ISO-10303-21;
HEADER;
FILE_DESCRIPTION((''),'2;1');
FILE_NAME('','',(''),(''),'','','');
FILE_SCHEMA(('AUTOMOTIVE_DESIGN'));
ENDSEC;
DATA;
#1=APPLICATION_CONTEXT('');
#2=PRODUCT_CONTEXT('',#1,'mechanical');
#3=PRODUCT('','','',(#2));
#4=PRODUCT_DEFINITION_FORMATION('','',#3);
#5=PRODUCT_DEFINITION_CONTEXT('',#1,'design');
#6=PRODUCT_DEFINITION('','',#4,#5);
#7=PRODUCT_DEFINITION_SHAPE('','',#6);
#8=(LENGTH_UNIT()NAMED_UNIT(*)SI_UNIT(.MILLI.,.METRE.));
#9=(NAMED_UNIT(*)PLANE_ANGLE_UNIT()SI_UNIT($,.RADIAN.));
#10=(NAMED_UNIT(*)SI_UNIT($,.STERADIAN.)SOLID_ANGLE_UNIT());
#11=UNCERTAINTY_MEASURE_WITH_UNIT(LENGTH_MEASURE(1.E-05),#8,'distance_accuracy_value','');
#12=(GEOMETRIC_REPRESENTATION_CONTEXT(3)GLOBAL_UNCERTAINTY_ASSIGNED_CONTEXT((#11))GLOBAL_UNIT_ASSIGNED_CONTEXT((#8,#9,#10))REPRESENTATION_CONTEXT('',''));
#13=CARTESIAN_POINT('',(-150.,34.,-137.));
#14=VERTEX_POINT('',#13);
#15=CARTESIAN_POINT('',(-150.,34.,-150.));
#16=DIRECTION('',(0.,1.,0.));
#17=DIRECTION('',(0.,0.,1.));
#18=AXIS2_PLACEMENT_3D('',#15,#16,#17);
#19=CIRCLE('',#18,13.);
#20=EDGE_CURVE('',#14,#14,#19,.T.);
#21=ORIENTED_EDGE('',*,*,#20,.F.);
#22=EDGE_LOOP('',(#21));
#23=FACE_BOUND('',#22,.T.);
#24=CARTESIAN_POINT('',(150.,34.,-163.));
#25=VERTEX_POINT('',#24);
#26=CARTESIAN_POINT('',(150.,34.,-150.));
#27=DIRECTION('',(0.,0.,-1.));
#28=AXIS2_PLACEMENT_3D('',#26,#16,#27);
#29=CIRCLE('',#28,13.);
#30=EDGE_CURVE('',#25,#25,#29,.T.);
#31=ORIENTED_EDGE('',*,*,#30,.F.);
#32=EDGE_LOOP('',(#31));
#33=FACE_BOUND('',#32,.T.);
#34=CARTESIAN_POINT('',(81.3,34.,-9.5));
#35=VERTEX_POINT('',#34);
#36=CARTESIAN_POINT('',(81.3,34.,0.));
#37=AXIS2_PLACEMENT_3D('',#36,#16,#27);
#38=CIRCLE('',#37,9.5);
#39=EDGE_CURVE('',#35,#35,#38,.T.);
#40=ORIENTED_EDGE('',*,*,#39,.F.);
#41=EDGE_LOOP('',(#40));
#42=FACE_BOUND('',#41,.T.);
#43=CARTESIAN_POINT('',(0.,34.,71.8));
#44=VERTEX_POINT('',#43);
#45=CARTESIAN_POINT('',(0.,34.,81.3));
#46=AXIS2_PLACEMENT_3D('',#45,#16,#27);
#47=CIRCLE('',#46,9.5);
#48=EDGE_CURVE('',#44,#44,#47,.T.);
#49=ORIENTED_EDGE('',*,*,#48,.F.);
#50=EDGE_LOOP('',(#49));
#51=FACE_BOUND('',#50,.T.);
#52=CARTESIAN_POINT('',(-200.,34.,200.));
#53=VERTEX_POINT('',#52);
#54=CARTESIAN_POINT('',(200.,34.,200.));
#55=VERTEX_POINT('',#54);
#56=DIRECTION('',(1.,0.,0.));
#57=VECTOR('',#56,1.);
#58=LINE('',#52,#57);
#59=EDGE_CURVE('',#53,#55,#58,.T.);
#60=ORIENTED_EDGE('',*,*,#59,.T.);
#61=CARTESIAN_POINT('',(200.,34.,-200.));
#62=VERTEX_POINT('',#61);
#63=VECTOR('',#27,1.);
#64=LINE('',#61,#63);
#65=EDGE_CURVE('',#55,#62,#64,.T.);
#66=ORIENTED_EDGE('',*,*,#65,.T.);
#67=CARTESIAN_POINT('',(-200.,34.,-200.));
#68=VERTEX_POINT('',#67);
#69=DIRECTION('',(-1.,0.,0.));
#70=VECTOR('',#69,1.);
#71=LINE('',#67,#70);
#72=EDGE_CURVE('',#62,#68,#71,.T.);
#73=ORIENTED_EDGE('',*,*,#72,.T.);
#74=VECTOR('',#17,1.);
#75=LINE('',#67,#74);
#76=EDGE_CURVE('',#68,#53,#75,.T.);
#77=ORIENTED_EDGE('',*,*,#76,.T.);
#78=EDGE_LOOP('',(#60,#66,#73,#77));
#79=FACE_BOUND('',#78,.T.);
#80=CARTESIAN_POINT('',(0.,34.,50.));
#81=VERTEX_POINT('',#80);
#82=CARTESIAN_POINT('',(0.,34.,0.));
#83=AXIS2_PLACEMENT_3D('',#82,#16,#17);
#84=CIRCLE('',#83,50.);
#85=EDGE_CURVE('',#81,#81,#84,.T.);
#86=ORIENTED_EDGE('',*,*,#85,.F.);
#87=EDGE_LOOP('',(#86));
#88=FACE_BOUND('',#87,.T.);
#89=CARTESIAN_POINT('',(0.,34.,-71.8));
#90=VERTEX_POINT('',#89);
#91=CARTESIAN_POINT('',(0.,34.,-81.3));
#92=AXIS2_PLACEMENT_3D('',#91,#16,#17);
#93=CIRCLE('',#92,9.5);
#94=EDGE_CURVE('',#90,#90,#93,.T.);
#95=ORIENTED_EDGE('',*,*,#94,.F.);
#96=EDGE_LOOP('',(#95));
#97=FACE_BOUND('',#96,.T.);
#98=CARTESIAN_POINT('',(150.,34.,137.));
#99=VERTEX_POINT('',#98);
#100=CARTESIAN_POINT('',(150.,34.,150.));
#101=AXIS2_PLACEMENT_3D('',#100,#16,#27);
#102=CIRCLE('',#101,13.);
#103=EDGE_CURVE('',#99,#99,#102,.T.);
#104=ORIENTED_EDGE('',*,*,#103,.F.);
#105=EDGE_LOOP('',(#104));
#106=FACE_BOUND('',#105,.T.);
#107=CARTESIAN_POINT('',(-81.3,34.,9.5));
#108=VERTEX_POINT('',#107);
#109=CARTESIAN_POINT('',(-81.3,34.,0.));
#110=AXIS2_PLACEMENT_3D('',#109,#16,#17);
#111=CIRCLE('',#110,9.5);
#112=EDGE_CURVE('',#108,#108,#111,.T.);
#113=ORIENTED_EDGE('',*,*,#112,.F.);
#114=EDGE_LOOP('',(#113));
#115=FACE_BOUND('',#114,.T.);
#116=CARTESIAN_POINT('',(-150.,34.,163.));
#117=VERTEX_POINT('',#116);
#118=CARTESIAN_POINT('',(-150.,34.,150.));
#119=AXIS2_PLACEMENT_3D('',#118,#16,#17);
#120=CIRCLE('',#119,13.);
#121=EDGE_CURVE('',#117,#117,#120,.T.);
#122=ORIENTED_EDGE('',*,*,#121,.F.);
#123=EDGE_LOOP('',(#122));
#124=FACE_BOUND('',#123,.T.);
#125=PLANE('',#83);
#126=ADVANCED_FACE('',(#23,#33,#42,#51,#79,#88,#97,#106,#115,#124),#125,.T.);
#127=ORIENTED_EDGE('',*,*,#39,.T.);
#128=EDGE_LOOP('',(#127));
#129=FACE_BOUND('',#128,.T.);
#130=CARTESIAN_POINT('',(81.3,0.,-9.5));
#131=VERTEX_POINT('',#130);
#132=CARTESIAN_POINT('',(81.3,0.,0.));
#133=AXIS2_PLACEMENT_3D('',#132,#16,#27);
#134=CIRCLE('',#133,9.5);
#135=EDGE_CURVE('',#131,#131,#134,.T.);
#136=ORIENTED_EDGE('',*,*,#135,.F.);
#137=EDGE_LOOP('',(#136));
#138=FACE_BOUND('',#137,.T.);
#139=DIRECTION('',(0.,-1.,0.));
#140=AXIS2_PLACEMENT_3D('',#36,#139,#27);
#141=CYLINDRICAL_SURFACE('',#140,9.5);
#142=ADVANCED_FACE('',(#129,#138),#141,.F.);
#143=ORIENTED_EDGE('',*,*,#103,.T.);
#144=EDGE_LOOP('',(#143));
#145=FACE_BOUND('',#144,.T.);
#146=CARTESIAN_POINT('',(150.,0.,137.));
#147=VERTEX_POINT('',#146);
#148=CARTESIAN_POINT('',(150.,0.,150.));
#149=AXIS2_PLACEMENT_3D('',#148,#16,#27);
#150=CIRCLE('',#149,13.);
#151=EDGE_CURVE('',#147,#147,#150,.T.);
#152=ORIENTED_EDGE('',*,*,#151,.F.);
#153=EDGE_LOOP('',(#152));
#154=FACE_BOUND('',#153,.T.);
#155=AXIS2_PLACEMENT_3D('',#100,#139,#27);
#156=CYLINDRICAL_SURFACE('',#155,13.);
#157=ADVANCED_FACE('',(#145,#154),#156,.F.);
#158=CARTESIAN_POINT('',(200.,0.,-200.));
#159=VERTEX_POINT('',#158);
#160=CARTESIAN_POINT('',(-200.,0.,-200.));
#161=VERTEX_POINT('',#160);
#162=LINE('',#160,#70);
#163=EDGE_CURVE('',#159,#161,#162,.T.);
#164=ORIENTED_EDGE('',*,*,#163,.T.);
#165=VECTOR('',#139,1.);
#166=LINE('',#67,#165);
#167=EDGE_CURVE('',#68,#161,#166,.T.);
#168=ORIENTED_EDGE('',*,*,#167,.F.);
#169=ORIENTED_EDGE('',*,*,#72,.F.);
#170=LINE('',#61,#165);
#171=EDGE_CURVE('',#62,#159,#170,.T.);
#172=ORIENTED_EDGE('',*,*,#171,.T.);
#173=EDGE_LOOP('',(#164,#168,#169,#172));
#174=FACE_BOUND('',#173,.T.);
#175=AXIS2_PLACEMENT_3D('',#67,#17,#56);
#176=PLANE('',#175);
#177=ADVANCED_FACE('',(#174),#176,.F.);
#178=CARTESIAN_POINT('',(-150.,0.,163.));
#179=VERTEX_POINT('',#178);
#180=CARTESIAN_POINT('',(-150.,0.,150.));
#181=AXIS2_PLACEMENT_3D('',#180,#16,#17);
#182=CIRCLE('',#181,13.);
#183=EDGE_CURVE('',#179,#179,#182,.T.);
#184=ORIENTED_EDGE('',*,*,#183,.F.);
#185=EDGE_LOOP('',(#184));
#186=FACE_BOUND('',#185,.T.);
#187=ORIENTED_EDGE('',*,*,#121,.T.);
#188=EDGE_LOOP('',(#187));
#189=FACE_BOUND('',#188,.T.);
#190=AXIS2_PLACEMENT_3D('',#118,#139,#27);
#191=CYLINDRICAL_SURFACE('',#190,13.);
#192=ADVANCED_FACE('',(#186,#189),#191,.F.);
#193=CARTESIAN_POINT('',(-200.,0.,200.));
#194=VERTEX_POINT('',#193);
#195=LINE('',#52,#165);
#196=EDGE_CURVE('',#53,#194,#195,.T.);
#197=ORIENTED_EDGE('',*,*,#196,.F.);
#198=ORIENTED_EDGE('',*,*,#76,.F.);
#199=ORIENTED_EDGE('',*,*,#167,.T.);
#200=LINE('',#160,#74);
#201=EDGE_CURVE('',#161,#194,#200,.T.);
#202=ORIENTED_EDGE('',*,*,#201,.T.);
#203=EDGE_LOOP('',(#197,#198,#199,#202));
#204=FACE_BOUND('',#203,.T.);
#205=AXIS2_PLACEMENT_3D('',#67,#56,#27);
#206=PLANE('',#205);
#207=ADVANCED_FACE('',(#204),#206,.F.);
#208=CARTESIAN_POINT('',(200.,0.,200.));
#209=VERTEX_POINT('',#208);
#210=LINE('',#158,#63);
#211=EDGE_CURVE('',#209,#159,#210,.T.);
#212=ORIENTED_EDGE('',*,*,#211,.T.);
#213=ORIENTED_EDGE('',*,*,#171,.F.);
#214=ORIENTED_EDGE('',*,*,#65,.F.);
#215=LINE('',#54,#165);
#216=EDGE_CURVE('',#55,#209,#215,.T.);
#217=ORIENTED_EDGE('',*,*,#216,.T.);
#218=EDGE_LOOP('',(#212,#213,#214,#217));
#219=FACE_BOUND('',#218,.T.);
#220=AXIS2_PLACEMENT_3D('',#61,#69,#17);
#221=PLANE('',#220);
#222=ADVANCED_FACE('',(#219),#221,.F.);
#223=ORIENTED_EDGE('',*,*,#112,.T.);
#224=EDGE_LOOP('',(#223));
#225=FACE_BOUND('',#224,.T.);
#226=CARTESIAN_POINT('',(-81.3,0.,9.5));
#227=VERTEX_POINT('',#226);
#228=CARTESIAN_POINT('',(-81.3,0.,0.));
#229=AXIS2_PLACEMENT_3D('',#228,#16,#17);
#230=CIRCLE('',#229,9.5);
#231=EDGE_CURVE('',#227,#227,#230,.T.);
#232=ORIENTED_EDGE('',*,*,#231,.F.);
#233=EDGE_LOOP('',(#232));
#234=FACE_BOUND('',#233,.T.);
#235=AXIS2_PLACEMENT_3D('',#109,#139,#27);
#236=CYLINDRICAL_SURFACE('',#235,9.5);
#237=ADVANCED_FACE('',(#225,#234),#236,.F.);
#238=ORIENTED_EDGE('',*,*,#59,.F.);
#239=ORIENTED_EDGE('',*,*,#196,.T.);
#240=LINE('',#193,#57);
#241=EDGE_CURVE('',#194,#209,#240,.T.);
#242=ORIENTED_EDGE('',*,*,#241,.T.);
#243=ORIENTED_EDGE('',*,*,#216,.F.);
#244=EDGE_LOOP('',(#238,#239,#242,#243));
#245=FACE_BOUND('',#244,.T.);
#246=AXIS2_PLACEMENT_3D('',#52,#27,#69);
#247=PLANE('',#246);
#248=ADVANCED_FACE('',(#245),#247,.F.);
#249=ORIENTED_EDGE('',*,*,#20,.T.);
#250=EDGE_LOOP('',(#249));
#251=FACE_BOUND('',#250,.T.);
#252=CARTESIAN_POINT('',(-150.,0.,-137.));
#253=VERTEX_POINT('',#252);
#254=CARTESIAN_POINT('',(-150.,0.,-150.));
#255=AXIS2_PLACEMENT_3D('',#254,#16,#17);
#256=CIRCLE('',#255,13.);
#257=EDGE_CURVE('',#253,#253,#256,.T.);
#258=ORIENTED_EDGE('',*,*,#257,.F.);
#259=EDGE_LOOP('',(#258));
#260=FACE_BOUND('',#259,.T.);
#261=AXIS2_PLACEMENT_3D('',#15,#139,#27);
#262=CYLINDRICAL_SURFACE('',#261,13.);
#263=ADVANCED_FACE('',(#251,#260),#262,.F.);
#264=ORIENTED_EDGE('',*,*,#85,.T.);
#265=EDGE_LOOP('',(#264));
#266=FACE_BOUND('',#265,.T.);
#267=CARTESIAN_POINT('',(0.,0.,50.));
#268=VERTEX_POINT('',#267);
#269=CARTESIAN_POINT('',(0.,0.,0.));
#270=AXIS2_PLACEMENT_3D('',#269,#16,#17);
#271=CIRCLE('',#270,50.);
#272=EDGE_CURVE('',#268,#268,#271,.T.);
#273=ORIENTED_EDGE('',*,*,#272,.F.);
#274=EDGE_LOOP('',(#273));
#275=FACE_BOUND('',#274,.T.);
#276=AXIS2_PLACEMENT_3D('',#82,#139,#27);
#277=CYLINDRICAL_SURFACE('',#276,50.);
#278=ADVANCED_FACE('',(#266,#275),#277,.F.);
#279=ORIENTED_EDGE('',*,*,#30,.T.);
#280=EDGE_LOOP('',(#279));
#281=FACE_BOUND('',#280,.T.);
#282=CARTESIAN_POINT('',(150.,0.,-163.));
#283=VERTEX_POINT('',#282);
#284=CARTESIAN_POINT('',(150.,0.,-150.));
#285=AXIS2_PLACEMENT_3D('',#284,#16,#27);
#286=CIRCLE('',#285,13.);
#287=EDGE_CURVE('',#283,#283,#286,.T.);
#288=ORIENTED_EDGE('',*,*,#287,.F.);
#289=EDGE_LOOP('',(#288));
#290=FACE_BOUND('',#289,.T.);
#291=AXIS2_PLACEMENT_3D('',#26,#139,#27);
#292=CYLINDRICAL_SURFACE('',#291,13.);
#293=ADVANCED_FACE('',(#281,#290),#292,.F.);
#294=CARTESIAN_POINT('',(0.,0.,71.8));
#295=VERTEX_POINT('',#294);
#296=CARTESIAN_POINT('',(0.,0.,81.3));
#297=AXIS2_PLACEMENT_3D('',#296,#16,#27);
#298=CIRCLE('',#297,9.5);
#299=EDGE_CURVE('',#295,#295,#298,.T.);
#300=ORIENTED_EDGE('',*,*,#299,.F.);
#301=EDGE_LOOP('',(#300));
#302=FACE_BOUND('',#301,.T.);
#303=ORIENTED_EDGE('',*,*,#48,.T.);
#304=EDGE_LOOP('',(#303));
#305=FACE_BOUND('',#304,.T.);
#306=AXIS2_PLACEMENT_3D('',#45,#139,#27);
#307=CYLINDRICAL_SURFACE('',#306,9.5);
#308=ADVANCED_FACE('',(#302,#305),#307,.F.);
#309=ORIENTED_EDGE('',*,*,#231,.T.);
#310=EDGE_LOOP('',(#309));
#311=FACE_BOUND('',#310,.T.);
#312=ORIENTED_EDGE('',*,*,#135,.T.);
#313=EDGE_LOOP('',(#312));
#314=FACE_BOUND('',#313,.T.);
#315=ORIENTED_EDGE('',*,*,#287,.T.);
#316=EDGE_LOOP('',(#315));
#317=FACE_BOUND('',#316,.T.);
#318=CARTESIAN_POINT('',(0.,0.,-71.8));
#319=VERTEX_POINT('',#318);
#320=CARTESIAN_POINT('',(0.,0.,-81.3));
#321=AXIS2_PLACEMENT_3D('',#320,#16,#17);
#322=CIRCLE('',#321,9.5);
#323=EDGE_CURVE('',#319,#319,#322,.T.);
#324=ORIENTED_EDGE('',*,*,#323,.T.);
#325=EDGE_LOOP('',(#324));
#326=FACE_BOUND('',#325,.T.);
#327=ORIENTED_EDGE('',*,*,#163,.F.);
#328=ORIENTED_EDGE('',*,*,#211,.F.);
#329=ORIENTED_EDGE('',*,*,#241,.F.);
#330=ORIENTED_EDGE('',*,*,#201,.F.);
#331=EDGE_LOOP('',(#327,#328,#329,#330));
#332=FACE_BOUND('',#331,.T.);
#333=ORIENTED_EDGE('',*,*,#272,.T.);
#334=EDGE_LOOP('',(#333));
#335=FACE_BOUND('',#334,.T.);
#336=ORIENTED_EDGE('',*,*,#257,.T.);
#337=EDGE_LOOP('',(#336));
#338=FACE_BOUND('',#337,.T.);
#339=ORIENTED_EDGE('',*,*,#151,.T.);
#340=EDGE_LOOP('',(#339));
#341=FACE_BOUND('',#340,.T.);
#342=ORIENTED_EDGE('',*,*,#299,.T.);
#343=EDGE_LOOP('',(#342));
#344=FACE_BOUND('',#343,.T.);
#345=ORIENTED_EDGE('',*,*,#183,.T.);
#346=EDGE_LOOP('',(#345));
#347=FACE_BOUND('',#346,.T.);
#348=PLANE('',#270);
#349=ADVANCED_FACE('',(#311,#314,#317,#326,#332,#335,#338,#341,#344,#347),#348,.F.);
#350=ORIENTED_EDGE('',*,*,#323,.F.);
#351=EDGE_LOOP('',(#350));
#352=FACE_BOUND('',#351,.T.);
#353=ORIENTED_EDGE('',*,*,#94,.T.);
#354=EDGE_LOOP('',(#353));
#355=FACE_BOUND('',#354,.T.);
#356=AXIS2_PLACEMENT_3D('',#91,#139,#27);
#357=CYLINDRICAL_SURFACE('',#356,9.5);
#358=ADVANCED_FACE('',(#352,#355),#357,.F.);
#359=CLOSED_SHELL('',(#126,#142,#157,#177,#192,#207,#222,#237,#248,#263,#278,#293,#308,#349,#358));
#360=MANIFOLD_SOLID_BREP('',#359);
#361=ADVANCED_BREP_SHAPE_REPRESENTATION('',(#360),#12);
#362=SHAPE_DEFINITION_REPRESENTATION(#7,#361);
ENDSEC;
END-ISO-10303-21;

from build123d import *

# Parameters (mm, degrees)
SKETCH1_W           = 400
SKETCH1_H           = 400
SKETCH1_R           = 13
SKETCH1_R_2         = 50
SKETCH1_R_3         = 9.5
BOSS_EXTRUDE1_DEPTH = 34


with BuildPart() as part:
    # Sketch1 → Boss-Extrude1 (new body)
    with BuildSketch(Plane(origin=(0, 0, 0), x_dir=(1, 0, 0), z_dir=(0, 1, 0))):
        Rectangle(SKETCH1_W, SKETCH1_H)
        with Locations((-150, 150)):
            Circle(SKETCH1_R, mode=Mode.SUBTRACT)
        with Locations((-150, -150)):
            Circle(SKETCH1_R, mode=Mode.SUBTRACT)
        with Locations((150, -150)):
            Circle(SKETCH1_R, mode=Mode.SUBTRACT)
        with Locations((150, 150)):
            Circle(SKETCH1_R, mode=Mode.SUBTRACT)
        Circle(SKETCH1_R_2, mode=Mode.SUBTRACT)
        with Locations((0, 81.3)):
            Circle(SKETCH1_R_3, mode=Mode.SUBTRACT)
        with Locations((-81.3, 0)):
            Circle(SKETCH1_R_3, mode=Mode.SUBTRACT)
        with Locations((0, -81.3)):
            Circle(SKETCH1_R_3, mode=Mode.SUBTRACT)
        with Locations((81.3, 0)):
            Circle(SKETCH1_R_3, mode=Mode.SUBTRACT)
    extrude(amount=BOSS_EXTRUDE1_DEPTH)


solid = part.part
